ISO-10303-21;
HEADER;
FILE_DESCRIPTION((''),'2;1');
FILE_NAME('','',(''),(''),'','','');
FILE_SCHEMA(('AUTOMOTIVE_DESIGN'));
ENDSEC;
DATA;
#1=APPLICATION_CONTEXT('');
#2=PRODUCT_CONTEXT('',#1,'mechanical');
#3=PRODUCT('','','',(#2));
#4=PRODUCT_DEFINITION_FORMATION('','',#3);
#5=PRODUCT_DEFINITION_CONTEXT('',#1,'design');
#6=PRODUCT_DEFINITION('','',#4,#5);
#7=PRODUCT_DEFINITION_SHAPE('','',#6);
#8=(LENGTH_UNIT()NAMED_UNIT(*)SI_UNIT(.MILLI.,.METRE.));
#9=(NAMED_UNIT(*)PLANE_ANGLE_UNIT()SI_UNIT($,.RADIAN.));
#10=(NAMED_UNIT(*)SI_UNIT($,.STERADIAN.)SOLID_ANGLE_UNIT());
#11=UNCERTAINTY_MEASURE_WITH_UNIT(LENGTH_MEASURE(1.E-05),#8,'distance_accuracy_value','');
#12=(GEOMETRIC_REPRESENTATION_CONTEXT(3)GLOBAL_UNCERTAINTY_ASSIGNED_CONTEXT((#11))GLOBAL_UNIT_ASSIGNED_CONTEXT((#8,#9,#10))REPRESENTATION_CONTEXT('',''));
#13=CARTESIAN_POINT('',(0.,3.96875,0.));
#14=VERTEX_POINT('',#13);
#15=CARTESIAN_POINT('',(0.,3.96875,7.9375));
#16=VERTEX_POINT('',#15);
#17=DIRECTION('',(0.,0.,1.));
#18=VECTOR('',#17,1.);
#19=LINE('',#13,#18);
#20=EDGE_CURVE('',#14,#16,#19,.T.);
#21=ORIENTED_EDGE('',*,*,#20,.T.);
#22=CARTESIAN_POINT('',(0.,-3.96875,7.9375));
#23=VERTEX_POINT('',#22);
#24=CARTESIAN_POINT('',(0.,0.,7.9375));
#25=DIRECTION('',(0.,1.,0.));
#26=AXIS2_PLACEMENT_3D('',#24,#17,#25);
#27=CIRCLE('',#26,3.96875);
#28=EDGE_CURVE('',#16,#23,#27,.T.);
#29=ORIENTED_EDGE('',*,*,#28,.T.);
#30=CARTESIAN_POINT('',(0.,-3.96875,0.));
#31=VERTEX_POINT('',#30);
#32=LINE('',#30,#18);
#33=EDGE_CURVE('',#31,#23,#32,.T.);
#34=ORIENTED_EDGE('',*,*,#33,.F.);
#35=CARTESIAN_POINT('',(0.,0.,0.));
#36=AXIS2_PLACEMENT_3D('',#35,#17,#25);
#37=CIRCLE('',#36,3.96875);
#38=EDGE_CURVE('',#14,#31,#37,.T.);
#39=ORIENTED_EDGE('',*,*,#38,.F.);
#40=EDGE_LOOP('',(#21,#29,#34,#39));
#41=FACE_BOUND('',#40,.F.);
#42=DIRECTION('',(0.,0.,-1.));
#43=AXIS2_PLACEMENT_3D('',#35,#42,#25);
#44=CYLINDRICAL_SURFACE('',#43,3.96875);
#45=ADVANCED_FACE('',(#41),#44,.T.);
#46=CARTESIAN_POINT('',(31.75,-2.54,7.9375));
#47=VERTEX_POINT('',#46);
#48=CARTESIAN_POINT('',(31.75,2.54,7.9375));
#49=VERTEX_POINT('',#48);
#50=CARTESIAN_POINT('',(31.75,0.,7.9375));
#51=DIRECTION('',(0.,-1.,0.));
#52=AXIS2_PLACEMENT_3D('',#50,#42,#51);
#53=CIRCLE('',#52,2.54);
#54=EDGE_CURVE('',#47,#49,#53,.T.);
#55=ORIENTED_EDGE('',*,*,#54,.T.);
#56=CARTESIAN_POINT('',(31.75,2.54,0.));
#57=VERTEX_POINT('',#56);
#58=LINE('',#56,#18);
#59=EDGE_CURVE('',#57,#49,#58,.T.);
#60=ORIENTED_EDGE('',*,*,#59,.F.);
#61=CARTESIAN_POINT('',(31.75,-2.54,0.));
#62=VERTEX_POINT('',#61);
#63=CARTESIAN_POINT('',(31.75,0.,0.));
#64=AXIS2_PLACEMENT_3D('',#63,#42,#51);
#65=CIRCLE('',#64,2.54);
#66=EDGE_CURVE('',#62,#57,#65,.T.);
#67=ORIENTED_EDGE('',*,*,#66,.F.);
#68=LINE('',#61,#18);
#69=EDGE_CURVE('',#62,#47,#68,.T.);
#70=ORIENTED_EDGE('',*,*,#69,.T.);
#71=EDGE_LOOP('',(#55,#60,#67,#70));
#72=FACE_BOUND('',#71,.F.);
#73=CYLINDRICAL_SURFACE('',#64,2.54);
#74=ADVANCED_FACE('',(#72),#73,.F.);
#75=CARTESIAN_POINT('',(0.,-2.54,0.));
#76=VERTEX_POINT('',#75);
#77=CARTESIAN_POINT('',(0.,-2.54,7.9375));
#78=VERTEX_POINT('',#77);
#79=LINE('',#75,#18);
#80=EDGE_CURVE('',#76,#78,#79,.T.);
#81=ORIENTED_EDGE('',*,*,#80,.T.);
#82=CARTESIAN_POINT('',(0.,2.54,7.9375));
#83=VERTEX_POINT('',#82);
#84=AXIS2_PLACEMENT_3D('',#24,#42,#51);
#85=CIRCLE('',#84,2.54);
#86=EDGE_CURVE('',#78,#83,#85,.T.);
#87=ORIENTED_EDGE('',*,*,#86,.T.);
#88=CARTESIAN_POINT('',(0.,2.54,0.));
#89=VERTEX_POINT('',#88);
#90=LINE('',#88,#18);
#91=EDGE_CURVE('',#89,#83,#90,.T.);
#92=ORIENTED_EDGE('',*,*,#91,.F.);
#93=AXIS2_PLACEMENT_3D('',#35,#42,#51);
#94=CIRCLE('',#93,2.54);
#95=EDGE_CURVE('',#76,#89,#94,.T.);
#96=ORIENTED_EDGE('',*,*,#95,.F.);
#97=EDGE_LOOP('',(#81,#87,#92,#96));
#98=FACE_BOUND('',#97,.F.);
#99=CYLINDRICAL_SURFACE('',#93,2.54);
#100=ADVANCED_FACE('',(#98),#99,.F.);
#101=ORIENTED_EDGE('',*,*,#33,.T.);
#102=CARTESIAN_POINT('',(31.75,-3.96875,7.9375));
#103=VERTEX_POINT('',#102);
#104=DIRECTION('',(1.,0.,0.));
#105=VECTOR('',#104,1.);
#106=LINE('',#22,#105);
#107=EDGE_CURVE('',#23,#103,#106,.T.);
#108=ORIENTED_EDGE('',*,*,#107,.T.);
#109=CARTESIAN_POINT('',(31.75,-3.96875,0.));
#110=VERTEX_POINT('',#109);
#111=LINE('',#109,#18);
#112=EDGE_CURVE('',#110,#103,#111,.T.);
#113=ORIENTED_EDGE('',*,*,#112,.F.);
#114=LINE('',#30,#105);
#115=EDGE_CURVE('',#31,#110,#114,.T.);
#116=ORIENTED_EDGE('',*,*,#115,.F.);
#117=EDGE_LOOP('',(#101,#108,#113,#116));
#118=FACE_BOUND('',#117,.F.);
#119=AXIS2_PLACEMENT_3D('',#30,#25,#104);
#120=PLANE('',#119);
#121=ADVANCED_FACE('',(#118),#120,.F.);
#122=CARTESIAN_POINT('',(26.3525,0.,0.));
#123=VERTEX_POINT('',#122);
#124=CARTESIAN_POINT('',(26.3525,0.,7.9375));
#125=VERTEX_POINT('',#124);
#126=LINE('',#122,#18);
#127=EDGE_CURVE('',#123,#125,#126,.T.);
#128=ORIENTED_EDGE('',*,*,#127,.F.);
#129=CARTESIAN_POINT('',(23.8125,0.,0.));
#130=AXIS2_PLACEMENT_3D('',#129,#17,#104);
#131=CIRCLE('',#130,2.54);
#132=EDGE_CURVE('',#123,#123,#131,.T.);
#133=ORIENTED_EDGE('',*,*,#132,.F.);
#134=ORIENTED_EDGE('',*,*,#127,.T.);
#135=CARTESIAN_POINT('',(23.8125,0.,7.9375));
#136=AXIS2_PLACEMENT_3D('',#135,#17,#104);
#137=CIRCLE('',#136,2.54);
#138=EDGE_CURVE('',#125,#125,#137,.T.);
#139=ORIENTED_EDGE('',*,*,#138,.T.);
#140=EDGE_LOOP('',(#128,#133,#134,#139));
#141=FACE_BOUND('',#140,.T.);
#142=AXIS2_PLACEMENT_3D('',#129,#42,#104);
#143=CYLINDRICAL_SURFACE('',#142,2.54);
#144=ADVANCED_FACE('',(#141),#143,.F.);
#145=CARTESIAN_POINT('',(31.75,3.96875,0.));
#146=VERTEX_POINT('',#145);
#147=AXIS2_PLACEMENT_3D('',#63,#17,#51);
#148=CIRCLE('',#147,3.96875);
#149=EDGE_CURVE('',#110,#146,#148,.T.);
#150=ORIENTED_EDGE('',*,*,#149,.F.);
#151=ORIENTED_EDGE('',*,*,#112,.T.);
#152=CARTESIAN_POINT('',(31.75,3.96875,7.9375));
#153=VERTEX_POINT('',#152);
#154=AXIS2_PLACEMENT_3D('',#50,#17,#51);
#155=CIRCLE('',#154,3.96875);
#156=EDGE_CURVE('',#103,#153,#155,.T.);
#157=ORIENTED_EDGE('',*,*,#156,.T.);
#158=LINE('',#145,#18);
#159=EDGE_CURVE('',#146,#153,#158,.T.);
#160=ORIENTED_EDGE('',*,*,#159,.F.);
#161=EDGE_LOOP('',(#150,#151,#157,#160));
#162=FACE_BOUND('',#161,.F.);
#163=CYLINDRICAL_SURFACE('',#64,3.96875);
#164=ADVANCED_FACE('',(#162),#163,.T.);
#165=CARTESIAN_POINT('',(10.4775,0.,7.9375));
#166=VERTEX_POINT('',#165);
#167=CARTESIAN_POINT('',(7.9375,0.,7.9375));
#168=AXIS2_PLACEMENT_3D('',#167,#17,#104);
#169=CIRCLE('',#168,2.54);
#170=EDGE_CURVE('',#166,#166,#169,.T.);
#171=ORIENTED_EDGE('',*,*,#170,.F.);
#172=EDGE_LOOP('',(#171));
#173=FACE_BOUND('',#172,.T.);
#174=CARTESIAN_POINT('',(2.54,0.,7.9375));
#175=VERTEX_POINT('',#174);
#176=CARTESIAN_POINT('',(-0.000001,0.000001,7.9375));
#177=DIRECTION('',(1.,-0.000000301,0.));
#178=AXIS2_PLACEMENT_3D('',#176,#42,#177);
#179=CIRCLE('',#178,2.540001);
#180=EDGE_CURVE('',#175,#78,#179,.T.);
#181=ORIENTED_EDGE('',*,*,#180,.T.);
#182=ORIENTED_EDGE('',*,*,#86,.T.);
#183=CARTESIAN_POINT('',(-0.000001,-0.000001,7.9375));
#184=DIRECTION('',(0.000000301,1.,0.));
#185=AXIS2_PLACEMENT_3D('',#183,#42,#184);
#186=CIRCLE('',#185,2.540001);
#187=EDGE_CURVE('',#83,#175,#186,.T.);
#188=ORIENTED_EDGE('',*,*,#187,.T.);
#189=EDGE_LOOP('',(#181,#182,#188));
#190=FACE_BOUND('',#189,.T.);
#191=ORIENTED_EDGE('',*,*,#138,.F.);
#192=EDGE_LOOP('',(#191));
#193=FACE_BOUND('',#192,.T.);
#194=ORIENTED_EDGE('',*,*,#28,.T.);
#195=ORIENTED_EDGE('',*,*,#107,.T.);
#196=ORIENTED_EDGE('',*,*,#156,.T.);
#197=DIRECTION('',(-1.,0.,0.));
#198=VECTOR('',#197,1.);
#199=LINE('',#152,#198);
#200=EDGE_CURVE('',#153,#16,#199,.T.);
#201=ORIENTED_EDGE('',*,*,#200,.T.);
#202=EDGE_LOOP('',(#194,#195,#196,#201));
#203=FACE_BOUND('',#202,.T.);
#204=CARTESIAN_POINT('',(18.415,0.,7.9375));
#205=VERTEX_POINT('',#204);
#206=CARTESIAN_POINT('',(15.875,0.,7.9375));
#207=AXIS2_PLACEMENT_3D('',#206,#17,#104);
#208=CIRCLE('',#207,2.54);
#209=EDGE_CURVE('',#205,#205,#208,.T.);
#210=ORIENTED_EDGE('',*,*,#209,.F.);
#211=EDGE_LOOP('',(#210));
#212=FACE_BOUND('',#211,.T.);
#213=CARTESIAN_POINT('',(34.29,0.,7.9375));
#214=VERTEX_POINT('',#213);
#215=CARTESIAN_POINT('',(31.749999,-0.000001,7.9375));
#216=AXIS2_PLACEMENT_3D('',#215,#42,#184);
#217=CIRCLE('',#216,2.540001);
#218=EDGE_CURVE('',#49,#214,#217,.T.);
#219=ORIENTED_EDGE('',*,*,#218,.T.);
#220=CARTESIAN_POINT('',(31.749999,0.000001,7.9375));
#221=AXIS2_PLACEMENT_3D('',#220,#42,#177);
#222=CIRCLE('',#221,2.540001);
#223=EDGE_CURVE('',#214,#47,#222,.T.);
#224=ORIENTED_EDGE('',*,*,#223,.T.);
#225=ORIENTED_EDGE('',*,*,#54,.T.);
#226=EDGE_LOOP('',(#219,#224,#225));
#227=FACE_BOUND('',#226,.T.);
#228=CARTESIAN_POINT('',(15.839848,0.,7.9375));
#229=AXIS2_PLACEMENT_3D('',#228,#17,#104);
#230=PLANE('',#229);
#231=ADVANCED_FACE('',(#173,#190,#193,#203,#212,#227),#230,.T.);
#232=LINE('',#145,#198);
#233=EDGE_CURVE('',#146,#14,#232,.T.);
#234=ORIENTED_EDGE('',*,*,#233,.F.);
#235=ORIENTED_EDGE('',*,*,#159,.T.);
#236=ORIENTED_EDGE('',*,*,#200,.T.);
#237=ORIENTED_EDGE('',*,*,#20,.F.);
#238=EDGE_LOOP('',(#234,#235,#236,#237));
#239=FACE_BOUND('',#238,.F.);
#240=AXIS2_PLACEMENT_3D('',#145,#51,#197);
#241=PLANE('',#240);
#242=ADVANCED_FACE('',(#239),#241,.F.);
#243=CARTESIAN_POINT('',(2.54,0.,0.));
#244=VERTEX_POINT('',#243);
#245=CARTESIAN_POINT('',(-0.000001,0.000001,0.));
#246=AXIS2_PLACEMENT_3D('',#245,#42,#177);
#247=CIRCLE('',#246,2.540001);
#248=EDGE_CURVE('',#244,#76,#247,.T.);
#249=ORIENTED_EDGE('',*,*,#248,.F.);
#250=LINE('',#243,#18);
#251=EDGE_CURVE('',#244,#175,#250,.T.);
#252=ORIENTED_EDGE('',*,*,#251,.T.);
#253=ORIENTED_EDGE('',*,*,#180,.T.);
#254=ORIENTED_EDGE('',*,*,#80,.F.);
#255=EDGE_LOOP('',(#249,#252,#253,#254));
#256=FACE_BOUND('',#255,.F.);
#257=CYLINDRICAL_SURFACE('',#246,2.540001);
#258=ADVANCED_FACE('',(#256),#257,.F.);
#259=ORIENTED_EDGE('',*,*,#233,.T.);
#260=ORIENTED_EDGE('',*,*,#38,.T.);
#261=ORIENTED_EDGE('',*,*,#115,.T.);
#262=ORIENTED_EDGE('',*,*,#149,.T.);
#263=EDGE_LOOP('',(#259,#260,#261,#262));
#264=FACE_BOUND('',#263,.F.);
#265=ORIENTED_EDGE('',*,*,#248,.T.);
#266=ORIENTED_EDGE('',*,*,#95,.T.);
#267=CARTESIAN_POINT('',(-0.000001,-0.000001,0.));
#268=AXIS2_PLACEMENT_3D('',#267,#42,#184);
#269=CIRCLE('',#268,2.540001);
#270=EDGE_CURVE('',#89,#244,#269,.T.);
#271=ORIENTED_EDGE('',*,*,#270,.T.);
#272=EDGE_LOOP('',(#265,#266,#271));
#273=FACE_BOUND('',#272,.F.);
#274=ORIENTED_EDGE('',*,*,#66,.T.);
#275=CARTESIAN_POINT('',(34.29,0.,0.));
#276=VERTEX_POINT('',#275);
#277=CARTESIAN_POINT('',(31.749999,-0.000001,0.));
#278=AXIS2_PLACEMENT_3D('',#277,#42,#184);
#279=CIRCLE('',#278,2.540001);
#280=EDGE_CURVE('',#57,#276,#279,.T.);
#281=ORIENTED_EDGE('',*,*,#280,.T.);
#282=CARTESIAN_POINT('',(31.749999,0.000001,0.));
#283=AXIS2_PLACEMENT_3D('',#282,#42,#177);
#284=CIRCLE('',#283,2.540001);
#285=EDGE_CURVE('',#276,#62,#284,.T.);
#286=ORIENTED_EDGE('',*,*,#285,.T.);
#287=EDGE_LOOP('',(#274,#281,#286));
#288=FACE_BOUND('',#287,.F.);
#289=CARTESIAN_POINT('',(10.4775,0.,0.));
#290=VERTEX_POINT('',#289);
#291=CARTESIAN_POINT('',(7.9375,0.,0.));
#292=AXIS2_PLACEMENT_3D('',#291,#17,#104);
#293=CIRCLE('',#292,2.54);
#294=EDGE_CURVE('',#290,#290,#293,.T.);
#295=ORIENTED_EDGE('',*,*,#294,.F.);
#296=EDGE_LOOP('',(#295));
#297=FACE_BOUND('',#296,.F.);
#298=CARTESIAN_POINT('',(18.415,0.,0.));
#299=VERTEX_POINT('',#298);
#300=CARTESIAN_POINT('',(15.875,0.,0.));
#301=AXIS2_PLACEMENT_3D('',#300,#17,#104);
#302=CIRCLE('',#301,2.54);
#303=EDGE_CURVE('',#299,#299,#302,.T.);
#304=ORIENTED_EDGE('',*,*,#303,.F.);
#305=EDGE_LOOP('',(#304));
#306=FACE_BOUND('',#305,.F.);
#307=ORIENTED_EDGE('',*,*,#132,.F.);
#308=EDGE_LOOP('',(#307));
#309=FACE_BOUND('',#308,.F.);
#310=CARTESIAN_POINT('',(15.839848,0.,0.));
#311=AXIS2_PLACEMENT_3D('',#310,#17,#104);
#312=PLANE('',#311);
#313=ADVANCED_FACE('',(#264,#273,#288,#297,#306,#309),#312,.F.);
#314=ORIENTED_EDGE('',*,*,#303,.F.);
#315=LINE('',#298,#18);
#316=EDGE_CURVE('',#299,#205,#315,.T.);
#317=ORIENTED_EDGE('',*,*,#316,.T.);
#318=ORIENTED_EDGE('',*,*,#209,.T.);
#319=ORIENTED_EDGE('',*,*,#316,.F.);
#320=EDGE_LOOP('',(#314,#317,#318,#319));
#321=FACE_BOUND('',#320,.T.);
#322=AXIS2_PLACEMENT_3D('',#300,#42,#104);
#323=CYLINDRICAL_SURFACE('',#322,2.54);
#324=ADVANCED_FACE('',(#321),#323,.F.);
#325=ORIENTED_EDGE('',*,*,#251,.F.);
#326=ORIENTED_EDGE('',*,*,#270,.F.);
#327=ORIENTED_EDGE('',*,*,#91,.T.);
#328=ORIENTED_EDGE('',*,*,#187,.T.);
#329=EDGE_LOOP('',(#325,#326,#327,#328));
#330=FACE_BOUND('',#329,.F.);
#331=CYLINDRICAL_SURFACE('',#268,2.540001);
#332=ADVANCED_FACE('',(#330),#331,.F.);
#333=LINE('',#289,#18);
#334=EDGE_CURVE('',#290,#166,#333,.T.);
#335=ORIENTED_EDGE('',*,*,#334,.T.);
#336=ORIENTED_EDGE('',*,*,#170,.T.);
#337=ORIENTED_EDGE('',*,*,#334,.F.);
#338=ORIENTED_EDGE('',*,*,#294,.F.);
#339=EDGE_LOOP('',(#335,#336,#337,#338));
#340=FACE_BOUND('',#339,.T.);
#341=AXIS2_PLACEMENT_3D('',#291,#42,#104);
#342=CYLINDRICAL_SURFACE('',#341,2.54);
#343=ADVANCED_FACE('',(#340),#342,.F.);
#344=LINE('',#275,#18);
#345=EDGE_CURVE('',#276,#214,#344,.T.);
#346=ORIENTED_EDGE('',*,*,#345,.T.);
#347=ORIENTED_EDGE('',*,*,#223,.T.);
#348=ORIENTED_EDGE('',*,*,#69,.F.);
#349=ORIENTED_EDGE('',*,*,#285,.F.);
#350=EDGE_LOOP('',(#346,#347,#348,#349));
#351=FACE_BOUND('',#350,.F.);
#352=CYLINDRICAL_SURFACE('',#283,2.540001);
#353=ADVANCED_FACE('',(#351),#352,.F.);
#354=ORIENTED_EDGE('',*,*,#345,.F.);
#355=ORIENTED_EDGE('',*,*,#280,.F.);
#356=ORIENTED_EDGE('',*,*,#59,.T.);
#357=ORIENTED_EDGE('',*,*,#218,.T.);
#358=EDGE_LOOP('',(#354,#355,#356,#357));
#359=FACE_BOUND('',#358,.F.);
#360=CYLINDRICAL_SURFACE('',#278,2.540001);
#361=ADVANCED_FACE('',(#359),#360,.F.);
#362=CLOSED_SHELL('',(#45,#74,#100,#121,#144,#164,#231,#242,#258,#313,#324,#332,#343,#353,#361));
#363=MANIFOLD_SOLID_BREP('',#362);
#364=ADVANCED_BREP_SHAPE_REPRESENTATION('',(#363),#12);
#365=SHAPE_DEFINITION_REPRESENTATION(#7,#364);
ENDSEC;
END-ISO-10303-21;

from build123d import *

# Parameters (mm, degrees)
F0_R     = 2.54
F1_DEPTH = 7.9375


with BuildPart() as f1:
    # F0 (on Top) → F1 (new body)
    with BuildSketch(Plane.XY):
        with BuildLine():
            Line((31.75, 3.96875), (0, 3.96875))
            Line((0, 3.96875), (0, 2.54))
            ThreePointArc((0, 2.54), (1.796051, 1.796051), (2.54, 0))
            ThreePointArc((2.54, 0), (1.796051, -1.796051), (0, -2.54))
            Line((0, -2.54), (0, -3.96875))
            Line((0, -3.96875), (31.75, -3.96875))
            Line((31.75, -3.96875), (31.75, -2.54))
            ThreePointArc((31.75, -2.54), (29.21, 0), (31.75, 2.54))
            Line((31.75, 2.54), (31.75, 3.96875))
        make_face()
        with Locations((7.9375, 0)):
            Circle(F0_R, mode=Mode.SUBTRACT)
        with Locations((15.875, 0)):
            Circle(F0_R, mode=Mode.SUBTRACT)
        with Locations((23.8125, 0)):
            Circle(F0_R, mode=Mode.SUBTRACT)
        with BuildLine():
            Line((0, 2.54), (0, 3.96875))
            ThreePointArc((0, 3.96875), (-3.96875, 0), (0, -3.96875))
            Line((0, -3.96875), (0, -2.54))
            ThreePointArc((0, -2.54), (-2.54, 0), (0, 2.54))
        make_face()
        with BuildLine():
            ThreePointArc((31.75, -3.96875), (35.71875, 0), (31.75, 3.96875))
            Line((31.75, 3.96875), (31.75, 2.54))
            ThreePointArc((31.75, 2.54), (33.546051, 1.796051), (34.29, 0))
            ThreePointArc((34.29, 0), (33.546051, -1.796051), (31.75, -2.54))
            Line((31.75, -2.54), (31.75, -3.96875))
        make_face()
    extrude(amount=F1_DEPTH)


solid = f1.part
